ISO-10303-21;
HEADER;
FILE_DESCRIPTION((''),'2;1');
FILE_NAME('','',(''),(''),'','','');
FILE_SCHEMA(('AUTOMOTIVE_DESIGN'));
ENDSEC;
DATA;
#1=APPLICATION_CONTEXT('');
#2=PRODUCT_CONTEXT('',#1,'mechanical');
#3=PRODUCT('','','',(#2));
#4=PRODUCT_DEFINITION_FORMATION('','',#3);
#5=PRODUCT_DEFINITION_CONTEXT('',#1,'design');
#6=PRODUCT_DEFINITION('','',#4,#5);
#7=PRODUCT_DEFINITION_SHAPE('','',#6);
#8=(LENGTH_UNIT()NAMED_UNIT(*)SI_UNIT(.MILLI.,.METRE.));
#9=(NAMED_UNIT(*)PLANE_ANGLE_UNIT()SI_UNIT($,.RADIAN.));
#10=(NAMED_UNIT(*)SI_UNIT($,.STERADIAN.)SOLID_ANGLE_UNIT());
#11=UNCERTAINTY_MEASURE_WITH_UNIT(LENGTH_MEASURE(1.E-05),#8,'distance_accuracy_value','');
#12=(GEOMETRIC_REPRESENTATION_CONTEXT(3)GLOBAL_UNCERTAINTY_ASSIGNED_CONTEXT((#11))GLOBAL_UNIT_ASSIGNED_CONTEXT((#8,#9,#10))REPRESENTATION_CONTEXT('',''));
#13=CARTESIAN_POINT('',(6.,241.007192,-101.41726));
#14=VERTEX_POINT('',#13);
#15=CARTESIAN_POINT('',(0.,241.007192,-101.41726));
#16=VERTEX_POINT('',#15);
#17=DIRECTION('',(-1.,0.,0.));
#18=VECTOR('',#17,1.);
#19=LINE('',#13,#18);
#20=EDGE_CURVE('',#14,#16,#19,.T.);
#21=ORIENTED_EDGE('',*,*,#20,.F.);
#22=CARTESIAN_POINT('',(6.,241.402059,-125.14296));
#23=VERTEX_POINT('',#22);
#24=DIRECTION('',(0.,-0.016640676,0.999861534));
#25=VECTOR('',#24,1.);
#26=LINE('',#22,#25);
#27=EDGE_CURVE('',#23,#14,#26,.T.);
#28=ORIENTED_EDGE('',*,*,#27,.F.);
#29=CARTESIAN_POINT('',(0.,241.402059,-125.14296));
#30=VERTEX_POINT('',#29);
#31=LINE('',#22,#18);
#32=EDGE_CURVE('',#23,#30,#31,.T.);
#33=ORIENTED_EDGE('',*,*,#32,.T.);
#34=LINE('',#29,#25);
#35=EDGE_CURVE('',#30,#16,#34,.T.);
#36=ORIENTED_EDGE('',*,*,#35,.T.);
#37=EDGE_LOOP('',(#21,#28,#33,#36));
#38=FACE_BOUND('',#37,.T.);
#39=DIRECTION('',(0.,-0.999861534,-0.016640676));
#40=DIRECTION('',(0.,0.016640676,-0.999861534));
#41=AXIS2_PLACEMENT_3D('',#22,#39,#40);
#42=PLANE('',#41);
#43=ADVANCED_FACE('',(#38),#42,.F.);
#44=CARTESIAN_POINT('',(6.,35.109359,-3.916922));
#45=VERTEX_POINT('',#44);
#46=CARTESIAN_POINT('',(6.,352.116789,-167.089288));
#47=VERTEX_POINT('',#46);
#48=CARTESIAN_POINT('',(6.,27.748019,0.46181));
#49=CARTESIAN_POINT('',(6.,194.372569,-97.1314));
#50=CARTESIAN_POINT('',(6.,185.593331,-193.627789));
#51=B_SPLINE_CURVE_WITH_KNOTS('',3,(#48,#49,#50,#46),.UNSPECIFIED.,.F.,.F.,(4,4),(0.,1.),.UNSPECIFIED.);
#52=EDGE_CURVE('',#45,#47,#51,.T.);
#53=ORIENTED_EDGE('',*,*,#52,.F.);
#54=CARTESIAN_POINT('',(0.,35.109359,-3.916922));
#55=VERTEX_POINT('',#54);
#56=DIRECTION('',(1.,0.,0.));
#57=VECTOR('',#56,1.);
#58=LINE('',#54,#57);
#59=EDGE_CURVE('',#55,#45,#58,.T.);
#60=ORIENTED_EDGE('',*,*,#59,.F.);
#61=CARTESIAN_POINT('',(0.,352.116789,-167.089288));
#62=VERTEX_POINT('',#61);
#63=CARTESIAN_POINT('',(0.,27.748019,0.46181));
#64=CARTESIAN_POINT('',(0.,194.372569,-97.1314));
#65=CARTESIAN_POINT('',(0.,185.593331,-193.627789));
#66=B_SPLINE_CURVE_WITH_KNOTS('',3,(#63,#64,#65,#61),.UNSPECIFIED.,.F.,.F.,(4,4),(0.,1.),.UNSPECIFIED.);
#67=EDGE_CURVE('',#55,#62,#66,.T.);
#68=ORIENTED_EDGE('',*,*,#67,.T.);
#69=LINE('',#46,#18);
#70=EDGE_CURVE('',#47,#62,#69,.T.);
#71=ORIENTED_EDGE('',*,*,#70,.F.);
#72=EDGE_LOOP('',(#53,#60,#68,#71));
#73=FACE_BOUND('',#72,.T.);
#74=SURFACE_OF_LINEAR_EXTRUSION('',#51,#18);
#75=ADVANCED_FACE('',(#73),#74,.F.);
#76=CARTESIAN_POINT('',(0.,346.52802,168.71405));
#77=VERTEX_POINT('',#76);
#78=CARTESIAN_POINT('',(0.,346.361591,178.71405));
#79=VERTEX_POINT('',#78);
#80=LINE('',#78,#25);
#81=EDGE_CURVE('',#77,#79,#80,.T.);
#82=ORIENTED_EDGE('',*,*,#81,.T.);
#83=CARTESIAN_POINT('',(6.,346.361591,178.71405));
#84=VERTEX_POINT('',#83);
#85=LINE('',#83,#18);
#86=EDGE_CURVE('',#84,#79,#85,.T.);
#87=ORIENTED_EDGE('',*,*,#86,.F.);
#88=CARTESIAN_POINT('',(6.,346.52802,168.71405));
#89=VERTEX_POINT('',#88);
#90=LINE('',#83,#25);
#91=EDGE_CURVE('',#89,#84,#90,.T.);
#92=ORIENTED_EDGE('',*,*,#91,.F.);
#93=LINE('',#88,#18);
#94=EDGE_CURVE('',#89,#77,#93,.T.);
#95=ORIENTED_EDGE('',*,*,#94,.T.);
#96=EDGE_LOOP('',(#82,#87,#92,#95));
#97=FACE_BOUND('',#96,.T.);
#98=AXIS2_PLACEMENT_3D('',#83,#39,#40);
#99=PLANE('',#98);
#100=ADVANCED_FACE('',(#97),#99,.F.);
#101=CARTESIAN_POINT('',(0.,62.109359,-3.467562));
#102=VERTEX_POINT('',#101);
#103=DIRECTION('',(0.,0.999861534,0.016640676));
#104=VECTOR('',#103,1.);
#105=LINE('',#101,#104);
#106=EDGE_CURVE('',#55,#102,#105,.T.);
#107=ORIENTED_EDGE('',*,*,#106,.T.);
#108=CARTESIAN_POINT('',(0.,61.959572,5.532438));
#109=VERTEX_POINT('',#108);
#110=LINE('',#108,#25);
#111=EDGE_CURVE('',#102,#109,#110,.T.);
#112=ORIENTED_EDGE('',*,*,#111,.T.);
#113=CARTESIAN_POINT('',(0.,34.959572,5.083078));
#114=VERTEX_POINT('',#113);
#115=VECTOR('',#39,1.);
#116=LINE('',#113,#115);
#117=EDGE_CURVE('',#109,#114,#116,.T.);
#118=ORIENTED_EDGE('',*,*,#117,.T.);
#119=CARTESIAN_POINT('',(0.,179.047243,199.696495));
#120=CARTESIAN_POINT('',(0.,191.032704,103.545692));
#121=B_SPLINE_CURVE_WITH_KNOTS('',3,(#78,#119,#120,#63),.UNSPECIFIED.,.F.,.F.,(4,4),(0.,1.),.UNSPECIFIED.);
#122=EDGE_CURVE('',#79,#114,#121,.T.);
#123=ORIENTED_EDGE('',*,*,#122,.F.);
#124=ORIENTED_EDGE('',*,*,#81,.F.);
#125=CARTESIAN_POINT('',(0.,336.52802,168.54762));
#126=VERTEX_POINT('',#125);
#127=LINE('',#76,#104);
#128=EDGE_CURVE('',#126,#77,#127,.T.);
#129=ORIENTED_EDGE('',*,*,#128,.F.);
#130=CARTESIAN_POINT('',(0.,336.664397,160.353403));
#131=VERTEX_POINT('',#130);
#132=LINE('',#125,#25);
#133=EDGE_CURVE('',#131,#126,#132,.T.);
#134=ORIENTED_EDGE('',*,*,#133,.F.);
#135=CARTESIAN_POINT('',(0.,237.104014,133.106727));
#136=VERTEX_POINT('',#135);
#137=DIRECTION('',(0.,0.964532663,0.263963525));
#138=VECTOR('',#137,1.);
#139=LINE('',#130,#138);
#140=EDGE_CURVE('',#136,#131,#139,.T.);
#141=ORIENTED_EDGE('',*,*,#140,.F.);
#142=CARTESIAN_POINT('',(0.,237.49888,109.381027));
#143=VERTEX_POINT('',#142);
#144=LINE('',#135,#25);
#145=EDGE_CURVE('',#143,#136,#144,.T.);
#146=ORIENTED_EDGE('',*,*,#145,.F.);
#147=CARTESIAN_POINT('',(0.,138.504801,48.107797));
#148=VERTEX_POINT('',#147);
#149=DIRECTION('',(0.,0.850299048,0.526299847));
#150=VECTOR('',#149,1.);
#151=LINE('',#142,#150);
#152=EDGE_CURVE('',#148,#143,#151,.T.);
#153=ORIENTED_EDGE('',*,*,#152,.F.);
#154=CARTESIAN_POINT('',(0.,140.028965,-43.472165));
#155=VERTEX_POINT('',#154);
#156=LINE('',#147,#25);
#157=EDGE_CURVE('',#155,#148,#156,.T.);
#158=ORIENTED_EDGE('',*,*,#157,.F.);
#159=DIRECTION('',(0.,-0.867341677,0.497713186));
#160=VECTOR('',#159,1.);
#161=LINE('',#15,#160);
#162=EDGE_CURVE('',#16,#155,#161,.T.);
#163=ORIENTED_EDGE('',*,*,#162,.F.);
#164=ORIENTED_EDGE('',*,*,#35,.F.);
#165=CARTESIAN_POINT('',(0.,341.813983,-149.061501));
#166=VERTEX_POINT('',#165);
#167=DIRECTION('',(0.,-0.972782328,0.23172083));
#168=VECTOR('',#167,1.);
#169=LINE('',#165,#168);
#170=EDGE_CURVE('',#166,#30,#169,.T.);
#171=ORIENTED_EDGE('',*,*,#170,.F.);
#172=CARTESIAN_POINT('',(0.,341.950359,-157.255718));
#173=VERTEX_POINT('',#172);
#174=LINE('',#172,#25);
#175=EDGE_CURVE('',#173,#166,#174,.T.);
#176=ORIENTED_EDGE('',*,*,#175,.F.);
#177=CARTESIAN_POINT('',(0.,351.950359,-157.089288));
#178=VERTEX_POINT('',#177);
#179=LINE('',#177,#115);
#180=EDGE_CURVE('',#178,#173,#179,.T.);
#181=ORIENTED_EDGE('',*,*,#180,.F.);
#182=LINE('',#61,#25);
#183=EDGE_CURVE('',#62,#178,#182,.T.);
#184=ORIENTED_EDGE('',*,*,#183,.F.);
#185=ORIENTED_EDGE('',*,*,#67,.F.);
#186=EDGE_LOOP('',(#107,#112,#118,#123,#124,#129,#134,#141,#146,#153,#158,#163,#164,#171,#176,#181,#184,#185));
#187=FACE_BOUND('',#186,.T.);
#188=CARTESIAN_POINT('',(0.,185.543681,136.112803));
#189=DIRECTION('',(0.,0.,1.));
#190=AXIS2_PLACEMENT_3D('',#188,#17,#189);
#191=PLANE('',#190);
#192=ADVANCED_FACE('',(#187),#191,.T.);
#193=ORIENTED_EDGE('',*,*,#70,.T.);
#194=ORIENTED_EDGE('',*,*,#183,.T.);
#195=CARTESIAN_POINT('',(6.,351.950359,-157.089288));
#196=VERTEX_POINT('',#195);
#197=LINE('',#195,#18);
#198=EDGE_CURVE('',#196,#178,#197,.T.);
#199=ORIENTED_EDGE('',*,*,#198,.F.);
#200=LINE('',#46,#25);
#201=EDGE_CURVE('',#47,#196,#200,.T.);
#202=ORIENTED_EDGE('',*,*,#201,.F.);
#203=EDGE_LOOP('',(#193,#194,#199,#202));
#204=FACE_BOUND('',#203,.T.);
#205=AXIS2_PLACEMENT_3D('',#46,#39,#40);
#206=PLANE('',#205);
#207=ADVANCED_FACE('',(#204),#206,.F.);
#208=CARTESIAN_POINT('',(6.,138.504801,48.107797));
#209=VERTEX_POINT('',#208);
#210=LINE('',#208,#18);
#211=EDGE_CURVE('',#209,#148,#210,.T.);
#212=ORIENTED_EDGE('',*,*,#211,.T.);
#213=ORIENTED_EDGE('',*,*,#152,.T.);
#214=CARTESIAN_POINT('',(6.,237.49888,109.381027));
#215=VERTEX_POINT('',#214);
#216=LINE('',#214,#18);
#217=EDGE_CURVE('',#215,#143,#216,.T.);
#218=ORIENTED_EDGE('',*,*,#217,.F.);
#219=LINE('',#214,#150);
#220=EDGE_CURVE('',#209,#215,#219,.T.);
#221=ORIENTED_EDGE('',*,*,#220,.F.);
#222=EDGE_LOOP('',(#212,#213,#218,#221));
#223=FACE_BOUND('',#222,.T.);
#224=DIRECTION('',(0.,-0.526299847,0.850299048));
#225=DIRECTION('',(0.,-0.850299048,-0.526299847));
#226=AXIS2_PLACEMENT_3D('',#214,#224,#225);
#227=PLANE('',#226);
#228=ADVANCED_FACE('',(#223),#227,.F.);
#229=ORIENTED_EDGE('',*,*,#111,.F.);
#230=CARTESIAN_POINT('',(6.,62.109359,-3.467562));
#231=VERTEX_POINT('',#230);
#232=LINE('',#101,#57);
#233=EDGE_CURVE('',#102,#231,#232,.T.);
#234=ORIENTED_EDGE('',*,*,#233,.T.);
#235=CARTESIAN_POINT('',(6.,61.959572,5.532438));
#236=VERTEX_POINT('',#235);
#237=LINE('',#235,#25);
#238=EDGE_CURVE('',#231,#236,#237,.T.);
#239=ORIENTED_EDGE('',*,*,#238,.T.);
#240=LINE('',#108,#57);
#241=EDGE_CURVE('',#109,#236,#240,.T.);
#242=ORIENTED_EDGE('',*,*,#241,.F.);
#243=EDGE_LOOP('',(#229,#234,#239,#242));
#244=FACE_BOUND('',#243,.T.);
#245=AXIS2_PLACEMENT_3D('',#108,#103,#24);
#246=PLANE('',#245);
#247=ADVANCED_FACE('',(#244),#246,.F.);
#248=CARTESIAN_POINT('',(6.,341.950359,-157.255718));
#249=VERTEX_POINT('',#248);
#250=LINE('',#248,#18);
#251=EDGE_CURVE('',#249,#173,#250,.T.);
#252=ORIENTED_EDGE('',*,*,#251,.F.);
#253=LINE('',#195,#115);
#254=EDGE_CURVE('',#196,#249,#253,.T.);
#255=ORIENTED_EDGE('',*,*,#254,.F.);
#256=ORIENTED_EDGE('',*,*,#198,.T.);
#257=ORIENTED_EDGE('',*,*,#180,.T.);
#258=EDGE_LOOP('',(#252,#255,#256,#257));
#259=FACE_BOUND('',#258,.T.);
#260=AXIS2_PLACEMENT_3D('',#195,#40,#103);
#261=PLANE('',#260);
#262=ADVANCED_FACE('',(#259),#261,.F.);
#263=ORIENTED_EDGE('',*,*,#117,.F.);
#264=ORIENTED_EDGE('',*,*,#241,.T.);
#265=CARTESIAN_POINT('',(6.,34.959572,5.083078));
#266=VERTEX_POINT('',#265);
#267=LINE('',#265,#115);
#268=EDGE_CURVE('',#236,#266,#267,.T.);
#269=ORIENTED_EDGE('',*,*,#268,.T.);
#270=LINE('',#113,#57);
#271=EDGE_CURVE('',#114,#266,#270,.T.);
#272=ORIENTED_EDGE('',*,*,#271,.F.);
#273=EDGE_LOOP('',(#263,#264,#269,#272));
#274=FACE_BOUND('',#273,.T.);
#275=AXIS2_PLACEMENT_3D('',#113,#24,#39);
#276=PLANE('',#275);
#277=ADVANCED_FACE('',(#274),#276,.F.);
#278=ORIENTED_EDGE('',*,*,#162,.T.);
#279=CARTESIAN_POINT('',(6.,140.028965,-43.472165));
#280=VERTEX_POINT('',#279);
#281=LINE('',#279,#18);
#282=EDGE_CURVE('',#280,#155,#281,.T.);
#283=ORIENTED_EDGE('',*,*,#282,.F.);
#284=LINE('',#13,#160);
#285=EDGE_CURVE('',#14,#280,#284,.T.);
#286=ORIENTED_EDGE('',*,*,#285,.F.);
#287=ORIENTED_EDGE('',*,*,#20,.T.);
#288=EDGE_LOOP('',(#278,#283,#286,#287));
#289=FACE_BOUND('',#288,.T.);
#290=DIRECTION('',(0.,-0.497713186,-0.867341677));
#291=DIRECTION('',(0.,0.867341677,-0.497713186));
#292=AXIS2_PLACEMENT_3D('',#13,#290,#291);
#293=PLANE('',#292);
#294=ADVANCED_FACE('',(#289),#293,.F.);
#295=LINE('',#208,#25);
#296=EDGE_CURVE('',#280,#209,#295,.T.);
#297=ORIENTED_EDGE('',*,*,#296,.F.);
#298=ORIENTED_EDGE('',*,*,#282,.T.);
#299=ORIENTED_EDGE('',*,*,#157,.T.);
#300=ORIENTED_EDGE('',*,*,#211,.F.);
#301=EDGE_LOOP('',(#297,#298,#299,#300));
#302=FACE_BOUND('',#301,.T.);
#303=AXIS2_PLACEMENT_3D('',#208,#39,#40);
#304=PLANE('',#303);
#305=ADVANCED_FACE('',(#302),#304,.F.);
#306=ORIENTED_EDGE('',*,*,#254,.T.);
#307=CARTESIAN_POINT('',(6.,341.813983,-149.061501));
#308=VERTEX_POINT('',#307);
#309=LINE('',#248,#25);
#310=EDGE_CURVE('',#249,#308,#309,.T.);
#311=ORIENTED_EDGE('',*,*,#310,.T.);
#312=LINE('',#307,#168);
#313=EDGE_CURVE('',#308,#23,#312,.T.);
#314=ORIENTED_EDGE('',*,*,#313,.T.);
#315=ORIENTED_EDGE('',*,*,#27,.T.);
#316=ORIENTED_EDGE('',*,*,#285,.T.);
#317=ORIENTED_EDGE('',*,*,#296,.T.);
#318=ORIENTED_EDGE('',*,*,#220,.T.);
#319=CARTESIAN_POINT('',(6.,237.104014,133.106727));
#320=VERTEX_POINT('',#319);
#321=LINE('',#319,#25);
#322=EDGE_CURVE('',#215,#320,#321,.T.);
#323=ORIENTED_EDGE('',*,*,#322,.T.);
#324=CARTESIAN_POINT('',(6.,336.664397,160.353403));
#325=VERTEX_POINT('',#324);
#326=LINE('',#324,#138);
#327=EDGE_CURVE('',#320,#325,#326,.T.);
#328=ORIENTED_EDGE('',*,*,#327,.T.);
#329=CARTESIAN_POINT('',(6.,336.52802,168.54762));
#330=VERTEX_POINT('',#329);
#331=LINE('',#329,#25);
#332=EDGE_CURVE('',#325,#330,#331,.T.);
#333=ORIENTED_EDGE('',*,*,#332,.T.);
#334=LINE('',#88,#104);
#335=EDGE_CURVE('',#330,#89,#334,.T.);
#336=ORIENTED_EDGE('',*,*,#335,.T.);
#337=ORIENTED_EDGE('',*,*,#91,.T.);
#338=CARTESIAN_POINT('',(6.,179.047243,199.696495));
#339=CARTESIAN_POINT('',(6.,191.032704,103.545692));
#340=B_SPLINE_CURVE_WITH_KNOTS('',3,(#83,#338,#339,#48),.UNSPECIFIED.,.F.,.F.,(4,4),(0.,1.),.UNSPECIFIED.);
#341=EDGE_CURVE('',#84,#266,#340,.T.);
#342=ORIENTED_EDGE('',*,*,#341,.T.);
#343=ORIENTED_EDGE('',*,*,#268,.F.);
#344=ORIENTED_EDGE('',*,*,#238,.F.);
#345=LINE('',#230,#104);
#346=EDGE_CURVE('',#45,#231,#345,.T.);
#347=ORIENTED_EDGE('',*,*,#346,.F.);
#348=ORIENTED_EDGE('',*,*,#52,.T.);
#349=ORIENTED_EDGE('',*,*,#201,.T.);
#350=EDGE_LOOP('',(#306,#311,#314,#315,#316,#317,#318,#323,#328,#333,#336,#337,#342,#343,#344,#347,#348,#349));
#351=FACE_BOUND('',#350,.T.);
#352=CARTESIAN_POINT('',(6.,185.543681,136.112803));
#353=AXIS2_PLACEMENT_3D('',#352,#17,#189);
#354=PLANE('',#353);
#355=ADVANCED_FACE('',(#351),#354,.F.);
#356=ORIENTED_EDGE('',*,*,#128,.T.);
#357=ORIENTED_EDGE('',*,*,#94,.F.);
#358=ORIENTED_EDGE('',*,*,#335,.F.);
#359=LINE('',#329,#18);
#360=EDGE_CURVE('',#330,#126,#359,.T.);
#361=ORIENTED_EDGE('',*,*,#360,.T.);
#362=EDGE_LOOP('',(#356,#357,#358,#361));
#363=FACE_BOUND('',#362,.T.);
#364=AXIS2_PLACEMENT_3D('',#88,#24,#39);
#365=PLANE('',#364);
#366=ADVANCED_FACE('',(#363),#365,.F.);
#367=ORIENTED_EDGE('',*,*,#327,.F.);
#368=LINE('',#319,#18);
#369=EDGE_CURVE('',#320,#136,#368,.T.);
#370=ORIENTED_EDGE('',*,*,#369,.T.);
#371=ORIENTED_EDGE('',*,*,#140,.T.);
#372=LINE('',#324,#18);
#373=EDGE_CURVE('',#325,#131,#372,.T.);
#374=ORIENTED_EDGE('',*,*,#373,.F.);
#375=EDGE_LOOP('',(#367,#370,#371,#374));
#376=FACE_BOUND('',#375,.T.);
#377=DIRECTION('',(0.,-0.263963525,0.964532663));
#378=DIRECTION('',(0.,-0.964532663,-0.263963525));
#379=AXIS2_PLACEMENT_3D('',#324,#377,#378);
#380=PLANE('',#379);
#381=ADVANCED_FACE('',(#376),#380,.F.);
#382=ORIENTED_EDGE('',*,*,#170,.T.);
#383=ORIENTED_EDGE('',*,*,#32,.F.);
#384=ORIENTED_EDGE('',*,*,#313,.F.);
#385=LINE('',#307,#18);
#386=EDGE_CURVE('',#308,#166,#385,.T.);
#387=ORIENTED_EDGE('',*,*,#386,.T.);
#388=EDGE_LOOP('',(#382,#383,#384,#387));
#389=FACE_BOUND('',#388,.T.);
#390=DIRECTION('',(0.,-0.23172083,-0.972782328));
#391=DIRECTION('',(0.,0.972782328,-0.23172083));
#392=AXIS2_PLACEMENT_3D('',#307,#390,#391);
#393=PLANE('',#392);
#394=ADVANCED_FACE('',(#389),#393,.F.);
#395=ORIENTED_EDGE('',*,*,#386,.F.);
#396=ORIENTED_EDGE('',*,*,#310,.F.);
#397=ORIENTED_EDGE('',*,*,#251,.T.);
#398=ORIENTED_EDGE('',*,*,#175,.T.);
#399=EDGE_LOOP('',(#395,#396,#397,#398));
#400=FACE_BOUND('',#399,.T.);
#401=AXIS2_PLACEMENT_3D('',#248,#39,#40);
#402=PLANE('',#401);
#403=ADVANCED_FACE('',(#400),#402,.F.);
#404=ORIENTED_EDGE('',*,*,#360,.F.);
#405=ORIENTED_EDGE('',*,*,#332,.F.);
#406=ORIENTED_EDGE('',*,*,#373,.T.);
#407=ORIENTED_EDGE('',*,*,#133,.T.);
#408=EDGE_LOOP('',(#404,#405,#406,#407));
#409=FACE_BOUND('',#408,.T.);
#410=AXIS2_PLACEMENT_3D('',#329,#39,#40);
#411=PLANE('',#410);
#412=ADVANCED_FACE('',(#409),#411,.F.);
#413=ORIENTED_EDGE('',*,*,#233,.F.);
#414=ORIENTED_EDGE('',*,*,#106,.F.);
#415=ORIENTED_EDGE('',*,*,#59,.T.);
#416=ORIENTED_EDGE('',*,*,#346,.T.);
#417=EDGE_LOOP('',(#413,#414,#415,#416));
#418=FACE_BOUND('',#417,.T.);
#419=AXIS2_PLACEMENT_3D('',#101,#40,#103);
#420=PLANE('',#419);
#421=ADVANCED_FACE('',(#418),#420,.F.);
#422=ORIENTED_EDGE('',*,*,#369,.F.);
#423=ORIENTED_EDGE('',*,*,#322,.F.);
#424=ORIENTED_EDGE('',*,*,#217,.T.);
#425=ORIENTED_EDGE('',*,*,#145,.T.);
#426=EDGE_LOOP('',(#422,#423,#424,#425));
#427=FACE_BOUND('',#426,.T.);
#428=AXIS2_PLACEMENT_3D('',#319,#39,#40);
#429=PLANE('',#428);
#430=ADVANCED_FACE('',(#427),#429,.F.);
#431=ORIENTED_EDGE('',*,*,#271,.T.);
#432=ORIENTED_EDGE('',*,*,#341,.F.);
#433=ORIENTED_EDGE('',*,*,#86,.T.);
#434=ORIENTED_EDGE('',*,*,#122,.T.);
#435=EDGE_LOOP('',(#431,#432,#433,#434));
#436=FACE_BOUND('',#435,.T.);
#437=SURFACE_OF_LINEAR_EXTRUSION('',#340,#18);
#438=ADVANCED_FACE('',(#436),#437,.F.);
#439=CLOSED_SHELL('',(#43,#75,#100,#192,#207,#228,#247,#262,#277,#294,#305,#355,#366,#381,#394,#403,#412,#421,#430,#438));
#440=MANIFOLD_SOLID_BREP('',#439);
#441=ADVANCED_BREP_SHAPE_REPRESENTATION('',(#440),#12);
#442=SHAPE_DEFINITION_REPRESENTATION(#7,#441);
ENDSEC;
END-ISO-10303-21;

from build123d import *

# Parameters (mm, degrees)
BOSS_EXTRU_3_DEPTH      = 6
ENL_V_MAT_EXTRU_2_DEPTH = 6


with BuildPart() as part:
    # Esquisse2 → Boss.-Extru.3 (new body)
    with BuildSketch(Plane(origin=(0, 0, 0), x_dir=(0, 0, -1), z_dir=(1, 0, 0))):
        with BuildLine():
            Line((-178.714049927, 346.361590687), (-168.714049927, 346.52802049))
            Line((-168.714049927, 346.52802049), (-168.547620124, 336.52802049))
            Line((-168.547620124, 336.52802049), (-160.353403431, 336.664396677))
            Line((-160.353403431, 336.664396677), (-133.106726849, 237.104014099))
            Line((-133.106726849, 237.104014099), (-109.381027038, 237.498880454))
            Line((-109.381027038, 237.498880454), (-48.107797435, 138.504801128))
            Line((-48.107797435, 138.504801128), (43.47216545, 140.028964649))
            Line((43.47216545, 140.028964649), (101.417259884, 241.007192197))
            Line((101.417259884, 241.007192197), (125.142959695, 241.402058552))
            Line((125.142959695, 241.402058552), (149.061501107, 341.813982847))
            Line((149.061501107, 341.813982847), (157.255717801, 341.950359034))
            Line((157.255717801, 341.950359034), (157.089287998, 351.950359034))
            Line((157.089287998, 351.950359034), (167.089287998, 352.116788837))
            add(Edge.make_bspline(
                [(167.089287998, 352.116788837), (193.627788773, 185.593330999), (97.131399781, 194.372569312), (-0.461809734, 27.748018973)],
                knots=[0, 0, 0, 0, 1, 1, 1, 1], degree=3))
            add(Edge.make_bspline(
                [(-178.714049927, 346.361590687), (-199.696494668, 179.047242687), (-103.54569217, 191.032704418), (-0.461809734, 27.748018973)],
                knots=[0, 0, 0, 0, 1, 1, 1, 1], degree=3))
        make_face()
    extrude(amount=BOSS_EXTRU_3_DEPTH)

    # Esquisse3 → Enlèv. mat.-Extru.2 (cut)
    with BuildSketch(Plane(origin=(6, 0, 0), x_dir=(0, 0, -1), z_dir=(1, 0, 0))):
        Polygon((-5.083077927, 34.959572472), (-5.532438395, 61.959572472), (3.467561605, 62.109359295), (3.916922073, 35.109359295), (19.621136425, 18.873128295), (-16.545154168, 18.873128295), align=None)
    extrude(amount=-ENL_V_MAT_EXTRU_2_DEPTH, mode=Mode.SUBTRACT)


solid = part.part
